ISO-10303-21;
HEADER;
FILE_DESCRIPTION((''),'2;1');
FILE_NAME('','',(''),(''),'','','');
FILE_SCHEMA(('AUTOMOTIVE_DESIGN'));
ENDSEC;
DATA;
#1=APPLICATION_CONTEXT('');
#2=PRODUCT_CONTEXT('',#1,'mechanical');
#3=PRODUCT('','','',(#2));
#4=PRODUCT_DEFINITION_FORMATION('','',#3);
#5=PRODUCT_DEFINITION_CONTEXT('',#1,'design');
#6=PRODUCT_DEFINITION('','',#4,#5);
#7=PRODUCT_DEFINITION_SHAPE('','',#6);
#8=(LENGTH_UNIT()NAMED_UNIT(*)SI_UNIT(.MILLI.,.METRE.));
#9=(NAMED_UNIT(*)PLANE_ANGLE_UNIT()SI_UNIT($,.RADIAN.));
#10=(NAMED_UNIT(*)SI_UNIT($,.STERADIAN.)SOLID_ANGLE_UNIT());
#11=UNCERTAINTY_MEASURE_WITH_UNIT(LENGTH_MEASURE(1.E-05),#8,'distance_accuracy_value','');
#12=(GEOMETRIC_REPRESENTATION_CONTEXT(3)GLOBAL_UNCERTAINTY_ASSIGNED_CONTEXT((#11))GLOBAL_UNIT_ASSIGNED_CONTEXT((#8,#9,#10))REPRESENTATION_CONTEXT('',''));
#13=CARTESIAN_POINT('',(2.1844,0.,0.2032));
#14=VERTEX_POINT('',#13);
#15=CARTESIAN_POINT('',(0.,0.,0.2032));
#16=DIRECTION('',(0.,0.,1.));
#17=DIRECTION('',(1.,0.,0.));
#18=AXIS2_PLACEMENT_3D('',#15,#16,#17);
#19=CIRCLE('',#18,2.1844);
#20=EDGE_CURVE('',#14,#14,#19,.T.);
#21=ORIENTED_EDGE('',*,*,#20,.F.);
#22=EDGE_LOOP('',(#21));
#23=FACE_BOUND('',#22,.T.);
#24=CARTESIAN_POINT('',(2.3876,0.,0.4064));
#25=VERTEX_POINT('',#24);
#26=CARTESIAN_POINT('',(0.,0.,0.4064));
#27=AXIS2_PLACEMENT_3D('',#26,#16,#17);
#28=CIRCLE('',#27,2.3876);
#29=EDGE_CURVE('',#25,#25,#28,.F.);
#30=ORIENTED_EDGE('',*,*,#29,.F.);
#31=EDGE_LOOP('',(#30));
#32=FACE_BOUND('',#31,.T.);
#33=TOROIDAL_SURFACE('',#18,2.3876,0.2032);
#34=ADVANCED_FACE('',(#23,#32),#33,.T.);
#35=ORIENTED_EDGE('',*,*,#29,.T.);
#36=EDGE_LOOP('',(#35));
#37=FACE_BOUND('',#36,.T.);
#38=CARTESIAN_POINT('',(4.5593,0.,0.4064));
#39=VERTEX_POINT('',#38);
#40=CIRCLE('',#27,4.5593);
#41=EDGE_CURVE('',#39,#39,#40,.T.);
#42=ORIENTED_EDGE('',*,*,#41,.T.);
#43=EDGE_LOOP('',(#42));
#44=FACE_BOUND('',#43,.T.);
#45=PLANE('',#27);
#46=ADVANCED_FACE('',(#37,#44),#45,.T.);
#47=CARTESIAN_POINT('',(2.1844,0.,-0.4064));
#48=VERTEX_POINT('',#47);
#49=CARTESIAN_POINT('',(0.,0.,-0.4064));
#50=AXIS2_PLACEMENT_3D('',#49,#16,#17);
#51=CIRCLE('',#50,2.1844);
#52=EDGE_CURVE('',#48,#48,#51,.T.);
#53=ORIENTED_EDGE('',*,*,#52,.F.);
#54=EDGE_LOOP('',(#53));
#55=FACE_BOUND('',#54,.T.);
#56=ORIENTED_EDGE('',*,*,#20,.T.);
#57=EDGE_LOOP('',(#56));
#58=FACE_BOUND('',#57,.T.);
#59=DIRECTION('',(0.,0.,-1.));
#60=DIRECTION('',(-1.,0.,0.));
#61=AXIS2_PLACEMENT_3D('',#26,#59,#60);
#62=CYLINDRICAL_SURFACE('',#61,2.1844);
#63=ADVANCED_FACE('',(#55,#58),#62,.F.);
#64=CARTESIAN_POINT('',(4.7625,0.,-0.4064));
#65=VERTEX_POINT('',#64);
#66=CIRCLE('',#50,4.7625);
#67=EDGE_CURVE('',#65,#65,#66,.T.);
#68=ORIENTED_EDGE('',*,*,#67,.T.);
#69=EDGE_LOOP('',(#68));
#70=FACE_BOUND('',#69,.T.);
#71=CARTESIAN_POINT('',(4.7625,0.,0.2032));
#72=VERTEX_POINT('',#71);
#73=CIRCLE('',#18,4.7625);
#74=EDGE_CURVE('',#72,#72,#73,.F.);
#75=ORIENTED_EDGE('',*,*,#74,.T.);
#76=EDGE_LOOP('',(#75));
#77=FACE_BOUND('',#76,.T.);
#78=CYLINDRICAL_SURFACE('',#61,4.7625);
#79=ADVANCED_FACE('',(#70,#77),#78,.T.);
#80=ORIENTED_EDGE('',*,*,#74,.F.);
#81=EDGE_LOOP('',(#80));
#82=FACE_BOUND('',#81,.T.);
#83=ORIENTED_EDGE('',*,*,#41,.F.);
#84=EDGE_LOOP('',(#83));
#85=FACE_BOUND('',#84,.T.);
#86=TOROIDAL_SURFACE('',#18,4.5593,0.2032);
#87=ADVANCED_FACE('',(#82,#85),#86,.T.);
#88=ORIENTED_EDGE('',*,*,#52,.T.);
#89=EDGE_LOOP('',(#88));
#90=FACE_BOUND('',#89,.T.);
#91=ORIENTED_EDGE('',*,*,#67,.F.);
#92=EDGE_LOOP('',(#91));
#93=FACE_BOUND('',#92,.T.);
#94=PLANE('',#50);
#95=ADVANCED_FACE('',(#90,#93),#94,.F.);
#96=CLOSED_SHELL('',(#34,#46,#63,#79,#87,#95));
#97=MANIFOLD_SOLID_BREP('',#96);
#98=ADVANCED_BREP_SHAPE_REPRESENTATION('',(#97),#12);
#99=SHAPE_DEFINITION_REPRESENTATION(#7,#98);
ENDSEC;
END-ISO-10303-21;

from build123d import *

# Parameters (mm, degrees)
SKETCH3_R                = 4.7625
SKETCH3_R_2              = 2.1844
BOSS_EXTRUDE1_DEPTH      = 0.4064
BOSS_EXTRUDE1_DEPTH_BACK = 0.4064
FILLET1_R                = 0.2032


with BuildPart() as part:
    # Sketch3 → Boss-Extrude1 (new body, two sides)
    with BuildSketch(Plane.XY) as boss_extrude1_sk:
        Circle(SKETCH3_R)
        Circle(SKETCH3_R_2, mode=Mode.SUBTRACT)
    extrude(amount=BOSS_EXTRUDE1_DEPTH)
    extrude(boss_extrude1_sk.sketch, amount=-BOSS_EXTRUDE1_DEPTH_BACK)

    # Fillet1
    fillet1_edges = [part.edges().sort_by_distance(p)[0] for p in [
        (-4.7625, 0, 0.4064),
        (-2.1844, 0, 0.4064),
    ]]
    fillet(fillet1_edges, radius=FILLET1_R)


solid = part.part
